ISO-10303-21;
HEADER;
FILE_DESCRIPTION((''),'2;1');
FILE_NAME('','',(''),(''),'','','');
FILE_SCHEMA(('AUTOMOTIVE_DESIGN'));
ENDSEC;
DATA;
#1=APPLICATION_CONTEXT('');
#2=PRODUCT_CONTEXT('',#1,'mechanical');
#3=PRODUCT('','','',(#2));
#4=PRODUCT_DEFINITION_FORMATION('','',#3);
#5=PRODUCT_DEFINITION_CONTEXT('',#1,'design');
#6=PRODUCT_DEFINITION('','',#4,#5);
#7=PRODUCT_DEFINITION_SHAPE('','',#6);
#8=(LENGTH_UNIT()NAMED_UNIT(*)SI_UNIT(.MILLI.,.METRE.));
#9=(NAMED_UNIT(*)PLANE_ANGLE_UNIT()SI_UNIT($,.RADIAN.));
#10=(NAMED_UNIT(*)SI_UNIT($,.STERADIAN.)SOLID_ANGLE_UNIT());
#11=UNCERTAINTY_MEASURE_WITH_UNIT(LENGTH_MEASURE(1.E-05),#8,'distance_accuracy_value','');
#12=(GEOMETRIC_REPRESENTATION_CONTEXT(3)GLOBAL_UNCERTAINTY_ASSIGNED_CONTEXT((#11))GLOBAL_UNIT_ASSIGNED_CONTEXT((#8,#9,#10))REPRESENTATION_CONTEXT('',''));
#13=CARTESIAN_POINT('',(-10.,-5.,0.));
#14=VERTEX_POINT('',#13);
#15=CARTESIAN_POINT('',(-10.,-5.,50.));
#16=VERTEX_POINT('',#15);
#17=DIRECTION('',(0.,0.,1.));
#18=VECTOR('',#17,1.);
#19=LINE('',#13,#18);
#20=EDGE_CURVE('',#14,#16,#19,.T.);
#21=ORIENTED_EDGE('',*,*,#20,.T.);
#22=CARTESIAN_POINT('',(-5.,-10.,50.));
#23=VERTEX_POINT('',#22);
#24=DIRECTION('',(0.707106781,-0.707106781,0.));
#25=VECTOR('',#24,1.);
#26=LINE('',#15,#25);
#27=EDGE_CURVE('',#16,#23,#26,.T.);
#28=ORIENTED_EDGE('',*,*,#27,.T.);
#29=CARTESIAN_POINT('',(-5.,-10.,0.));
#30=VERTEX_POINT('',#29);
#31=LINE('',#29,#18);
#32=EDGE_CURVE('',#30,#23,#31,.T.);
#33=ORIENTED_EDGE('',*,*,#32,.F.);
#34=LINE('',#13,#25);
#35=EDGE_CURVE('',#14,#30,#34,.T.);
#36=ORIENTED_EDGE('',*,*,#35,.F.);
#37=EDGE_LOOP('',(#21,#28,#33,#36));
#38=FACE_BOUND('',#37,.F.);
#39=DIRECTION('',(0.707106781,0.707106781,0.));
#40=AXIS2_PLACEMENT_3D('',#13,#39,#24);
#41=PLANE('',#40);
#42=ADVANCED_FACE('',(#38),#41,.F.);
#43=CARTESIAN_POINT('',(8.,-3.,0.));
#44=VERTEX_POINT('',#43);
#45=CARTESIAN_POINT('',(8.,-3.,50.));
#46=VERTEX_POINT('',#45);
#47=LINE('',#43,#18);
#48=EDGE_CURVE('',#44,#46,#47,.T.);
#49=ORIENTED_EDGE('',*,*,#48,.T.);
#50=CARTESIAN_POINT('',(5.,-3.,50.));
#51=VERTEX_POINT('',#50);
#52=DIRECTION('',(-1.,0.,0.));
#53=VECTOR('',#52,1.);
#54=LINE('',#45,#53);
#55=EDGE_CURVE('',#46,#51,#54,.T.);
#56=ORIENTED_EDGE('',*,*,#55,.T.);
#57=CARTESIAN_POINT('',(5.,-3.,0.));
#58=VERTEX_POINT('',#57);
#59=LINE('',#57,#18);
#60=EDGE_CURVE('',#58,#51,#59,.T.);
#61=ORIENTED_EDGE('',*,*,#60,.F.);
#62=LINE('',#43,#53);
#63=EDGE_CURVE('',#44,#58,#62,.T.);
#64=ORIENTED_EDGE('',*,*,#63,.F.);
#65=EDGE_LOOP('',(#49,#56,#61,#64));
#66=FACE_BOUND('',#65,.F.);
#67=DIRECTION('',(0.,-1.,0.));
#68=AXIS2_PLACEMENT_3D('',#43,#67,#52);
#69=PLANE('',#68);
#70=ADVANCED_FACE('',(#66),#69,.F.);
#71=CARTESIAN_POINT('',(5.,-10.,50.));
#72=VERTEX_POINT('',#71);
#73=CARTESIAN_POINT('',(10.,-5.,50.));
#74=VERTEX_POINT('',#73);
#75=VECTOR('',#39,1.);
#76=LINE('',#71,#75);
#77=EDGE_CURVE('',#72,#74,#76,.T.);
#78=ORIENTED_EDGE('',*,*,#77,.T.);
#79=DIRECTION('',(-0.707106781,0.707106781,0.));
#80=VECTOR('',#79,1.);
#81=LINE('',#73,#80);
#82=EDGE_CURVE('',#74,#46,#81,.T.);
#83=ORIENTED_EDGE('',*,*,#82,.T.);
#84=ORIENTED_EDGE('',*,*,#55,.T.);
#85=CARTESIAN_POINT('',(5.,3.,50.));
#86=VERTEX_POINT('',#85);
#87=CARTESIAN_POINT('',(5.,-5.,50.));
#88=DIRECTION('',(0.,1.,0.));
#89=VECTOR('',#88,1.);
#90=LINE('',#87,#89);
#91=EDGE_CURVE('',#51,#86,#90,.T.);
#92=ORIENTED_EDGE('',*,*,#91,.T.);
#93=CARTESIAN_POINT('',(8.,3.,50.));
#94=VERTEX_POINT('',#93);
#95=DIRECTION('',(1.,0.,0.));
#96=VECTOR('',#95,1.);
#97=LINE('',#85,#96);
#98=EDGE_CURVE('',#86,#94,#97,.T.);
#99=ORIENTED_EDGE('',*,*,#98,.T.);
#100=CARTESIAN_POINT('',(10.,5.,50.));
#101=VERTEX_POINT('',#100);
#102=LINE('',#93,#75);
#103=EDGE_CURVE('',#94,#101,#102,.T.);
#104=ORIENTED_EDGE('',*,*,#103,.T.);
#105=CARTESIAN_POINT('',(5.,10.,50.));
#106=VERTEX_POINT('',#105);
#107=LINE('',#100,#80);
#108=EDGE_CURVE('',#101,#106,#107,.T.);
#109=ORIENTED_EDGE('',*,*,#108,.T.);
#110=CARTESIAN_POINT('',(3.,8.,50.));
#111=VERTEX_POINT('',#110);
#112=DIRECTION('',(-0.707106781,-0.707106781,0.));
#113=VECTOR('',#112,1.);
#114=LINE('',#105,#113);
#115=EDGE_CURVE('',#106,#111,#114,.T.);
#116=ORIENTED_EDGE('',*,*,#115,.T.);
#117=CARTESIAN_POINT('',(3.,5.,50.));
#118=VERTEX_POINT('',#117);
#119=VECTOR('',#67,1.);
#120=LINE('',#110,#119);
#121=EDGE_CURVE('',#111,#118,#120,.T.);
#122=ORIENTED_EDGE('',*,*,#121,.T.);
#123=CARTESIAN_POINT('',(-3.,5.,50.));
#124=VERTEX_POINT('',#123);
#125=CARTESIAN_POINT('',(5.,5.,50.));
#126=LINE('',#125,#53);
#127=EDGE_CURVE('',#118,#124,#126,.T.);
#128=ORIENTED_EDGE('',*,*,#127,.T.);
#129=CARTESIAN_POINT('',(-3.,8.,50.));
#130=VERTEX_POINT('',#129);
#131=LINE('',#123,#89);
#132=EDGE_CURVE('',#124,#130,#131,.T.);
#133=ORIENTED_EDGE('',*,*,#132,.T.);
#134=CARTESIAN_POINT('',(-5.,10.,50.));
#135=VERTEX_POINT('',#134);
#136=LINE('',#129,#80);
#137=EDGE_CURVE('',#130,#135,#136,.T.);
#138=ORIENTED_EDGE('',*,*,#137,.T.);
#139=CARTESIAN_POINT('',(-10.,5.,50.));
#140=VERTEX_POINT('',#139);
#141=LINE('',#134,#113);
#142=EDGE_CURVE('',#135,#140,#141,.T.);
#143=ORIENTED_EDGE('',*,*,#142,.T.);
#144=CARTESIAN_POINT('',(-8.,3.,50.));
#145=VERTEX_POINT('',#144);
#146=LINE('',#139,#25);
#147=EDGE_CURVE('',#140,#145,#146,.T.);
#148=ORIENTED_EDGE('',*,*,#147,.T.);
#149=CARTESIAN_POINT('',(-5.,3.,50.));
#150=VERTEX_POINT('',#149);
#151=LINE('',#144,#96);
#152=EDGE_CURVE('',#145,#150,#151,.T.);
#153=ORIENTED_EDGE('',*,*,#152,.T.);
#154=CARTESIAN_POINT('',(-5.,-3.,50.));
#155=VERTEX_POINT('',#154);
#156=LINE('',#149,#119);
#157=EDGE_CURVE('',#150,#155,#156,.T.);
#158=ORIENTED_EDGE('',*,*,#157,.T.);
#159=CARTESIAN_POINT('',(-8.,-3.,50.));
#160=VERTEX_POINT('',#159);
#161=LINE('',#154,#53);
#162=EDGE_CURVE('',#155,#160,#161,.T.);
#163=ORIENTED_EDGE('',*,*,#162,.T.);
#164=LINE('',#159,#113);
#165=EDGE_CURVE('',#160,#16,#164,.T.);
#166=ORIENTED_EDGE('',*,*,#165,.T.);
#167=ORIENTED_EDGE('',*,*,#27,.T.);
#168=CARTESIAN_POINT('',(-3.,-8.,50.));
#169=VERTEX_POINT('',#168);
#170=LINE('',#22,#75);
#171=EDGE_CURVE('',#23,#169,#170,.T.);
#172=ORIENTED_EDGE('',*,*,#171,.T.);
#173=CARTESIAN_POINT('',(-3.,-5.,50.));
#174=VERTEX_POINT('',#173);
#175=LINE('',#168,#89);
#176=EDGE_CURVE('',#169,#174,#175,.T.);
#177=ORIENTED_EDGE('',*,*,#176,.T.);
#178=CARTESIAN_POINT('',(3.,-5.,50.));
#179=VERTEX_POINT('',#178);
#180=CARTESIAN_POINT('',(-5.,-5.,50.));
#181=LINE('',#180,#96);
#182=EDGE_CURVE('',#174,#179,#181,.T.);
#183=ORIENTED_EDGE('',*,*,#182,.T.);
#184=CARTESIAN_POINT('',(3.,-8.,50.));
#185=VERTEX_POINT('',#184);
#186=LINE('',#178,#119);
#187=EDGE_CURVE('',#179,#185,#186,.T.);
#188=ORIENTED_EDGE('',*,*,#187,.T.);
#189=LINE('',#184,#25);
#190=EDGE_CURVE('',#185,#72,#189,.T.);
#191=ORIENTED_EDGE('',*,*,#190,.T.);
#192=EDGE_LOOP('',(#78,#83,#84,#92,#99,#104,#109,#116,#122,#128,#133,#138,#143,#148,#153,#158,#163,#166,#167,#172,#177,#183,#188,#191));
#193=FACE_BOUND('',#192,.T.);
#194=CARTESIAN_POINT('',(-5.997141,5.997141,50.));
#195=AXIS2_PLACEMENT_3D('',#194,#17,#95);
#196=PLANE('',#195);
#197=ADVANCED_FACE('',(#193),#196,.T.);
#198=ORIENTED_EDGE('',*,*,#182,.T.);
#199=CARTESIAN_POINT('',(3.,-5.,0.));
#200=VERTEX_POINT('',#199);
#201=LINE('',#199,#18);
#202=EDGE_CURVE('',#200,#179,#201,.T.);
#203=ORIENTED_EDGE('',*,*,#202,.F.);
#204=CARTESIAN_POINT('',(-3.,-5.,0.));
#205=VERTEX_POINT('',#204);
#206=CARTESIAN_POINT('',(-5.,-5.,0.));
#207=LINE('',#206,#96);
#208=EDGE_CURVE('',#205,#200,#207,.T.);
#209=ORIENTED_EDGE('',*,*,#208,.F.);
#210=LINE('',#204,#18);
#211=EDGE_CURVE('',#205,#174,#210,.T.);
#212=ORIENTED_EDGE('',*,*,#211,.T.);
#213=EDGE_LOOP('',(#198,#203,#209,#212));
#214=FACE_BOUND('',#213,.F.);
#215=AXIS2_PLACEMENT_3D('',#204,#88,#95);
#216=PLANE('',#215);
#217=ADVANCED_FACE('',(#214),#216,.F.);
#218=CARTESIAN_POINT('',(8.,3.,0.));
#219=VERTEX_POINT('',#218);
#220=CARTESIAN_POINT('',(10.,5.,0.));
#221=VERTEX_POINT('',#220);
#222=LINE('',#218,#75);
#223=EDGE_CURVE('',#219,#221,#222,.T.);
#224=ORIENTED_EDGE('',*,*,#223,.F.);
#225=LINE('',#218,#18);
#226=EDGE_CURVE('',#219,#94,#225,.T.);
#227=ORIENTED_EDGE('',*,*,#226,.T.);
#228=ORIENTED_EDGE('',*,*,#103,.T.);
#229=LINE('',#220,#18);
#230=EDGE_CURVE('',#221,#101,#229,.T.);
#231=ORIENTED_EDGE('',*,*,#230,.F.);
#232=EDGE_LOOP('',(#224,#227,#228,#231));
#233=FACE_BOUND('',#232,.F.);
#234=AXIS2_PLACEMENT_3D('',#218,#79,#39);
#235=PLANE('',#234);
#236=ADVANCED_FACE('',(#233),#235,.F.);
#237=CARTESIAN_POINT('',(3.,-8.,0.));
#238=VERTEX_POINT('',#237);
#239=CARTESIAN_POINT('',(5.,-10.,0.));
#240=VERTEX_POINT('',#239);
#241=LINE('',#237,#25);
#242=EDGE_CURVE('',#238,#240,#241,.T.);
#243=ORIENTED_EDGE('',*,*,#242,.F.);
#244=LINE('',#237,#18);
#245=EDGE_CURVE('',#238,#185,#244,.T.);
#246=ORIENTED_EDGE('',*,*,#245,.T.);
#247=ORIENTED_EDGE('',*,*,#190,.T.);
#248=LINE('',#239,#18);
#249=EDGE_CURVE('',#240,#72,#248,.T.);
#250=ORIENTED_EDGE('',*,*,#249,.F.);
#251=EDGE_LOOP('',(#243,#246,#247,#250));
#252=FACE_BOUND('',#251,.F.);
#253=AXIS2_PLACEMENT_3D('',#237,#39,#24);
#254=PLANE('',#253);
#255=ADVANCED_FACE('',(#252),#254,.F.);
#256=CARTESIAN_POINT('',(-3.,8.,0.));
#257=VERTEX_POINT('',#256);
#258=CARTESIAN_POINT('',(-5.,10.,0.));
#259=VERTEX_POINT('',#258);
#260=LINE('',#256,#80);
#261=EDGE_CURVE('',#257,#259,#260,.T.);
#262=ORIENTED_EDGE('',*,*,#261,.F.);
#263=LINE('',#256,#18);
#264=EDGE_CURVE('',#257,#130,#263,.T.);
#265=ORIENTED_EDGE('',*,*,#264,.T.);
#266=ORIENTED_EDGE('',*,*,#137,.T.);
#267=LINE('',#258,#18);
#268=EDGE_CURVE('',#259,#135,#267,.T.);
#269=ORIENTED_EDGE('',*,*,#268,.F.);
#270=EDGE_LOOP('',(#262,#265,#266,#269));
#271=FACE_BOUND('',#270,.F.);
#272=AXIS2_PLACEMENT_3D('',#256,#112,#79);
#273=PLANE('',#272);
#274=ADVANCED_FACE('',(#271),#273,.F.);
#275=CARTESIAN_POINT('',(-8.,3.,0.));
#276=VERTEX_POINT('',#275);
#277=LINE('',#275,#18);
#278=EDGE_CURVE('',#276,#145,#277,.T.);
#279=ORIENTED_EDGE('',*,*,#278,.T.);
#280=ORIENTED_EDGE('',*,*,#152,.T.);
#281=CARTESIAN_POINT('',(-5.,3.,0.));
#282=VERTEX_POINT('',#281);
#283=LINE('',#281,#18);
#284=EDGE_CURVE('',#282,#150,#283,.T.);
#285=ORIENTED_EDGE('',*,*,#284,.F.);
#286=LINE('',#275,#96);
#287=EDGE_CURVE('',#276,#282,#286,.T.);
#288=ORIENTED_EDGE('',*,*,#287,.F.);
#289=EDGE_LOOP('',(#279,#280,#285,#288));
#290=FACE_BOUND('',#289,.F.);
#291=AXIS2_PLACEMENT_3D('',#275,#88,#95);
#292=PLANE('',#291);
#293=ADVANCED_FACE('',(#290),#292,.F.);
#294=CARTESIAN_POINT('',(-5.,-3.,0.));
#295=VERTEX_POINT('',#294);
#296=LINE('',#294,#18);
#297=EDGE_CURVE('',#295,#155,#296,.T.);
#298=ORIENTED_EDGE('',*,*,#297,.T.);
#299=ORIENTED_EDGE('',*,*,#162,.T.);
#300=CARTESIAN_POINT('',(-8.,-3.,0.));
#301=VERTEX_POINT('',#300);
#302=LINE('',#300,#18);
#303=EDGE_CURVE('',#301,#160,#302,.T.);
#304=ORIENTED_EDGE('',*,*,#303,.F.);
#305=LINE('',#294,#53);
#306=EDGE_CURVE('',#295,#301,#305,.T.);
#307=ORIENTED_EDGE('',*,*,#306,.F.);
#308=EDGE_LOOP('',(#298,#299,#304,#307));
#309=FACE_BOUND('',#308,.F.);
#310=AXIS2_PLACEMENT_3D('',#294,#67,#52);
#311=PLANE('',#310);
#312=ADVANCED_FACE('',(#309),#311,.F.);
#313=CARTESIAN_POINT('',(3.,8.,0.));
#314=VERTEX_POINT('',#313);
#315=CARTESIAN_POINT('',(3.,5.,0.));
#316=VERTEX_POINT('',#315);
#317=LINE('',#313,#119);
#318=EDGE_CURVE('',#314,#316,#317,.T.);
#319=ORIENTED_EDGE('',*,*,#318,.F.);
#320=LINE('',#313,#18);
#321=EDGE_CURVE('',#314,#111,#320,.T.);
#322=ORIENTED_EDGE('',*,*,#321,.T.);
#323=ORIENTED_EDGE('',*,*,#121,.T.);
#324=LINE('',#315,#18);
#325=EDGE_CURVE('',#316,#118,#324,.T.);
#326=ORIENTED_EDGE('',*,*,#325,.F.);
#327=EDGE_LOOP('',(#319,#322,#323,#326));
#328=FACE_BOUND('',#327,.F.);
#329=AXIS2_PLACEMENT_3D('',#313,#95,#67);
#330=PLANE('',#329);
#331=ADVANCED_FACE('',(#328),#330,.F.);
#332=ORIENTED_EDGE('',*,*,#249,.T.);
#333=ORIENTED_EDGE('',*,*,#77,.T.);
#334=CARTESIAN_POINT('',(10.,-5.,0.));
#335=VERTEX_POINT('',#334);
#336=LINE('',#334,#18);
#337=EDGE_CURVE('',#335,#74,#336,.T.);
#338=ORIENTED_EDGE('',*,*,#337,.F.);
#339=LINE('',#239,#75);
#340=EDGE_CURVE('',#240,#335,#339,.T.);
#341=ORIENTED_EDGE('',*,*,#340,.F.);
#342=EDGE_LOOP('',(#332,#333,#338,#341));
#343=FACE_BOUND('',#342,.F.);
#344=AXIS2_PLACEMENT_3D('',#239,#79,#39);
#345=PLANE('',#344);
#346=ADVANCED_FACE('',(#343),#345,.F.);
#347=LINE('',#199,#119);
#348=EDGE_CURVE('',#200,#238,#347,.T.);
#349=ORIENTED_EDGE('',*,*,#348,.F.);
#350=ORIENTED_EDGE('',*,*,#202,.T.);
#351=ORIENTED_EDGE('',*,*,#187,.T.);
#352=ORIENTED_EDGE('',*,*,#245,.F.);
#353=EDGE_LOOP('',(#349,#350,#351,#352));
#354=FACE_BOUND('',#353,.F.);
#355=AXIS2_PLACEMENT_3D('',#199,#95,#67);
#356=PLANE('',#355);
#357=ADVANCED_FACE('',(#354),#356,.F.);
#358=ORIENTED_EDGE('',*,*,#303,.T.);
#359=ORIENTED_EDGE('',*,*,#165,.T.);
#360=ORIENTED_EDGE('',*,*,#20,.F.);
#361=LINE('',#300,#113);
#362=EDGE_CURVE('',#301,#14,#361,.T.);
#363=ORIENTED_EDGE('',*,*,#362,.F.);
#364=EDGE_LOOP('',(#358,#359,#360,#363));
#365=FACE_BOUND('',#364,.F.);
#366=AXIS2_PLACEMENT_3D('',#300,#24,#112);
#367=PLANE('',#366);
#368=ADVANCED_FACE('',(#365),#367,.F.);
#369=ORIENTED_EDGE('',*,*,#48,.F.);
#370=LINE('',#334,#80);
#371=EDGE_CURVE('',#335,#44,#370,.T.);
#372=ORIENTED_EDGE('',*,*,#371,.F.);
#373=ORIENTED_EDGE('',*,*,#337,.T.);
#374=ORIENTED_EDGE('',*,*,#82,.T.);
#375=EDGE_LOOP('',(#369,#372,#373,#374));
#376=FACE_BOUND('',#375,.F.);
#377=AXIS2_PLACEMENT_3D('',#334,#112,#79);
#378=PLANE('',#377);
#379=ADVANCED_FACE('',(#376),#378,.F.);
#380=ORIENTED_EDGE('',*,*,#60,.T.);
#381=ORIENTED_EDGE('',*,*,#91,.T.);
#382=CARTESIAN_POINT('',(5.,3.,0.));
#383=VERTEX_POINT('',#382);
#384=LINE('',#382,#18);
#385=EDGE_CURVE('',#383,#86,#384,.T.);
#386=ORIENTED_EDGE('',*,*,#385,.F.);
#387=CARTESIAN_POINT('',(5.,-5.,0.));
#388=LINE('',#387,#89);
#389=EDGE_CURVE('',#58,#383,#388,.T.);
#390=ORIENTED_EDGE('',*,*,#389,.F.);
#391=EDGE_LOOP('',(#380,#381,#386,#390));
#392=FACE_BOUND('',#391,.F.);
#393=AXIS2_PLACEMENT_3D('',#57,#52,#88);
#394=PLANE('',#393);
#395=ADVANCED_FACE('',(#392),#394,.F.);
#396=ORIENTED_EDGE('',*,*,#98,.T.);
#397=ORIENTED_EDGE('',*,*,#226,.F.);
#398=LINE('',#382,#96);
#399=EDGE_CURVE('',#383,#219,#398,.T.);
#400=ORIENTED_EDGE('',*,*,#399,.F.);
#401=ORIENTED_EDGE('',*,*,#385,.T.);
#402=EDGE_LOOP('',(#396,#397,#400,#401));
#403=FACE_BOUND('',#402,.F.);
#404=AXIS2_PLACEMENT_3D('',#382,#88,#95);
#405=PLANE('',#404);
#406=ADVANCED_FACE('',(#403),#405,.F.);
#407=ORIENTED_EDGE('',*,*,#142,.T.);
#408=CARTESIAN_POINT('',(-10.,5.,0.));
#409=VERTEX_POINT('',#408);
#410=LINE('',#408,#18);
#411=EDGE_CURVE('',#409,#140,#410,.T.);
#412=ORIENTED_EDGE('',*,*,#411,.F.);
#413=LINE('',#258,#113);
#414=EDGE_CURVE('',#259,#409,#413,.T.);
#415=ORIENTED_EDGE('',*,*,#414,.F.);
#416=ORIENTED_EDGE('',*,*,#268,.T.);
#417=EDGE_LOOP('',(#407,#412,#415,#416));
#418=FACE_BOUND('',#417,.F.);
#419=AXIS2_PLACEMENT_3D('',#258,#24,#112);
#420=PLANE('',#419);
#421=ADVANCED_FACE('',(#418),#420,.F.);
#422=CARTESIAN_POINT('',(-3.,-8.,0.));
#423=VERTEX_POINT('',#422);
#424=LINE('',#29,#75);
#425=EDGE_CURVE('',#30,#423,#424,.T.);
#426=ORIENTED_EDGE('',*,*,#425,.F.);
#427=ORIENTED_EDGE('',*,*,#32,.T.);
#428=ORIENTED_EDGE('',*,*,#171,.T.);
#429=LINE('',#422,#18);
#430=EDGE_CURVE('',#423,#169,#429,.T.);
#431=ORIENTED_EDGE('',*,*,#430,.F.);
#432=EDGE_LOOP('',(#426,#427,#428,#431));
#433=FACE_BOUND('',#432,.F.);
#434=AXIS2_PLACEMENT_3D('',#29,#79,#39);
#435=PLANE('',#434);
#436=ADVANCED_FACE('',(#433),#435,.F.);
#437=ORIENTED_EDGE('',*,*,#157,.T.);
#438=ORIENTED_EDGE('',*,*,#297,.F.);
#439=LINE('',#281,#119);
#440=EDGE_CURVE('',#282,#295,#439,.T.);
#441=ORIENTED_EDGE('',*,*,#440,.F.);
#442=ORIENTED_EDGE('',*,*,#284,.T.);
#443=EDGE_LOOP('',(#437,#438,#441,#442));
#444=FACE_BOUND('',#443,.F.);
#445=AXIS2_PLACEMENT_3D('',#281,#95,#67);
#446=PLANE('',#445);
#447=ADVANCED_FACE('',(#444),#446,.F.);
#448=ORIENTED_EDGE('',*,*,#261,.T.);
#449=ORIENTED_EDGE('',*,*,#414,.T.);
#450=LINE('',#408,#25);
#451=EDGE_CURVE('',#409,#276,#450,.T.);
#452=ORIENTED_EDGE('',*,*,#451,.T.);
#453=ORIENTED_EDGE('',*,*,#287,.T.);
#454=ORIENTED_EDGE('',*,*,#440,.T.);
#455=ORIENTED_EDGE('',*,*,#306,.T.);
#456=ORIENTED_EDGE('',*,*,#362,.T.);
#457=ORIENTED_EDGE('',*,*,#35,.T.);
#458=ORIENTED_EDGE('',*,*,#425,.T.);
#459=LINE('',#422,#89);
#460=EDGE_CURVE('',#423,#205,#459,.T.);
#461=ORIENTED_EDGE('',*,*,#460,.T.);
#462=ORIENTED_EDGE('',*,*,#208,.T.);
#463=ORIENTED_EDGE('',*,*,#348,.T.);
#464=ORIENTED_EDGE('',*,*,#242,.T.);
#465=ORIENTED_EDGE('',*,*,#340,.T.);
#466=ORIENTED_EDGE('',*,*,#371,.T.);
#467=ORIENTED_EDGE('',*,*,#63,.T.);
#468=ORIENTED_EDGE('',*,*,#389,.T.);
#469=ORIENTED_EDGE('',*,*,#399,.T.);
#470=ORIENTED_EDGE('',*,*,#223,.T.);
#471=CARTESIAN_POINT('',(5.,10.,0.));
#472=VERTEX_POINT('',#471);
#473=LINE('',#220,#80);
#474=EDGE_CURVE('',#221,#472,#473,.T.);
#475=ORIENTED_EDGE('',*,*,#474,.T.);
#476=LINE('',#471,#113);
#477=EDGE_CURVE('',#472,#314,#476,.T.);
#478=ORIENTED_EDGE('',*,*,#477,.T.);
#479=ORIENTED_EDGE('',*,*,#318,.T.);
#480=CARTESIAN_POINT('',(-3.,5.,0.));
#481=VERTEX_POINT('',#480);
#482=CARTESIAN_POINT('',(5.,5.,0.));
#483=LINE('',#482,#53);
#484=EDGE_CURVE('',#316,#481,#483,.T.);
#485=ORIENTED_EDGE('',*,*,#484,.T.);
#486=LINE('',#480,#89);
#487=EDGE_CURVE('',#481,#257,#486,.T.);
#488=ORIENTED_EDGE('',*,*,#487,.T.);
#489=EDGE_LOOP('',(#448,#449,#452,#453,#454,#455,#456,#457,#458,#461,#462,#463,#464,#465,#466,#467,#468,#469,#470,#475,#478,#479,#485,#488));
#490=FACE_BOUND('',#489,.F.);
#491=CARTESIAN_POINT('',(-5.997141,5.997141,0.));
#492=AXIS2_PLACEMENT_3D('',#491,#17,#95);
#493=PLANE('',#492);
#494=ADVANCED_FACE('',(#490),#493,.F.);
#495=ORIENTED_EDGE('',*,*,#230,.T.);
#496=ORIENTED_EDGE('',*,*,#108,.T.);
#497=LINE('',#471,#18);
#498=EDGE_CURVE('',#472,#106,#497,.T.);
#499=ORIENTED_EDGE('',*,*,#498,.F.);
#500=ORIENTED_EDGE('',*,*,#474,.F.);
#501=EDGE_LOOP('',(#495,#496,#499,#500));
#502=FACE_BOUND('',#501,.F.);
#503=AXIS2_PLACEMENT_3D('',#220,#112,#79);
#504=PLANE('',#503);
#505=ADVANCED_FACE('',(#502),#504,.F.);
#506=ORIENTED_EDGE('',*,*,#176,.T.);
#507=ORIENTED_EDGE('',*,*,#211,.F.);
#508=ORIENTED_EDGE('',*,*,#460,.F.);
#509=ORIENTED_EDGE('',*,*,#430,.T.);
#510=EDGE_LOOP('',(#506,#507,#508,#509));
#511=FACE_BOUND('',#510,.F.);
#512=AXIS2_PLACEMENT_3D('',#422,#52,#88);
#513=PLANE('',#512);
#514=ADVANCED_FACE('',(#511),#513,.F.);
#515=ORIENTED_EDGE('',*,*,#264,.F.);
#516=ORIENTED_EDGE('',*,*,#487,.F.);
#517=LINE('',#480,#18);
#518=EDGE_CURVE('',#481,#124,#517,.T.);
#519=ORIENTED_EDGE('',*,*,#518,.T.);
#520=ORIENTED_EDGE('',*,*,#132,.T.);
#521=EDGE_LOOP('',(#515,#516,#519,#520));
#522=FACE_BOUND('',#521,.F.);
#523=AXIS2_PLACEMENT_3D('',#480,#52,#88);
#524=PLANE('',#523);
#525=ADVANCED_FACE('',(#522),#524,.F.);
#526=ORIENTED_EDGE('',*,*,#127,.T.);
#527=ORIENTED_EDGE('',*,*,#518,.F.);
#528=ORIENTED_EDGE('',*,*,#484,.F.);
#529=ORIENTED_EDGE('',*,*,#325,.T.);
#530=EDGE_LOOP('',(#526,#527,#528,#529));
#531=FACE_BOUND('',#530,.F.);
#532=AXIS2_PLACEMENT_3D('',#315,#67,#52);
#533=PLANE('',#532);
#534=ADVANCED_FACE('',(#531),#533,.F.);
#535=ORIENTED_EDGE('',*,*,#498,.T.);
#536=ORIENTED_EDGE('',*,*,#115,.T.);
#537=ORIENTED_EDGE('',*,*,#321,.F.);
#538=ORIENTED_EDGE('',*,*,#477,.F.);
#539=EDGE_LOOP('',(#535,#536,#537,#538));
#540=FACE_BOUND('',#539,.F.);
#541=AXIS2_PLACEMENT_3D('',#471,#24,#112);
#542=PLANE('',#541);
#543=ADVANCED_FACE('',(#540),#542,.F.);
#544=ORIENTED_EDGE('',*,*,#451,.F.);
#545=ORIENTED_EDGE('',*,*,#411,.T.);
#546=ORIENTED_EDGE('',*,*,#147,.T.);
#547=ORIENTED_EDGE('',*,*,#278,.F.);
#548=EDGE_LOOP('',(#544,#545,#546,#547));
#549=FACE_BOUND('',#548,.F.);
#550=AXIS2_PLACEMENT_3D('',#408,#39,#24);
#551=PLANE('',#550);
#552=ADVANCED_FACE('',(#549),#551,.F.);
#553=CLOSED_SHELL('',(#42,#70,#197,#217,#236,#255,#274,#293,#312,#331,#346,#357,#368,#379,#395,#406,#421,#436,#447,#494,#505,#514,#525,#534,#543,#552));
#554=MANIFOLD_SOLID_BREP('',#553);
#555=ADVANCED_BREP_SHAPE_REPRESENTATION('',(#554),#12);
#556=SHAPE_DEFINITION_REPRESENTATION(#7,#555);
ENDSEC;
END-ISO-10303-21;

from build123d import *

# Parameters (mm, degrees)
F1_DEPTH = 50


with BuildPart() as f1:
    # F0 (on Top) → F1 (new body)
    with BuildSketch(Plane.XY):
        Polygon((-3, 8), (-5, 10), (-10, 5), (-8, 3), (-5, 3), (-5, 5), (-3, 5), align=None)
        Polygon((5, 5), (3, 5), (-3, 5), (-5, 5), (-5, 3), (-5, -3), (-5, -5), (-3, -5), (3, -5), (5, -5), (5, -3), (5, 3), align=None)
        Polygon((10, 5), (5, 10), (3, 8), (3, 5), (5, 5), (5, 3), (8, 3), align=None)
        Polygon((5, -10), (10, -5), (8, -3), (5, -3), (5, -5), (3, -5), (3, -8), align=None)
        Polygon((-8, -3), (-10, -5), (-5, -10), (-3, -8), (-3, -5), (-5, -5), (-5, -3), align=None)
    extrude(amount=F1_DEPTH)


solid = f1.part
